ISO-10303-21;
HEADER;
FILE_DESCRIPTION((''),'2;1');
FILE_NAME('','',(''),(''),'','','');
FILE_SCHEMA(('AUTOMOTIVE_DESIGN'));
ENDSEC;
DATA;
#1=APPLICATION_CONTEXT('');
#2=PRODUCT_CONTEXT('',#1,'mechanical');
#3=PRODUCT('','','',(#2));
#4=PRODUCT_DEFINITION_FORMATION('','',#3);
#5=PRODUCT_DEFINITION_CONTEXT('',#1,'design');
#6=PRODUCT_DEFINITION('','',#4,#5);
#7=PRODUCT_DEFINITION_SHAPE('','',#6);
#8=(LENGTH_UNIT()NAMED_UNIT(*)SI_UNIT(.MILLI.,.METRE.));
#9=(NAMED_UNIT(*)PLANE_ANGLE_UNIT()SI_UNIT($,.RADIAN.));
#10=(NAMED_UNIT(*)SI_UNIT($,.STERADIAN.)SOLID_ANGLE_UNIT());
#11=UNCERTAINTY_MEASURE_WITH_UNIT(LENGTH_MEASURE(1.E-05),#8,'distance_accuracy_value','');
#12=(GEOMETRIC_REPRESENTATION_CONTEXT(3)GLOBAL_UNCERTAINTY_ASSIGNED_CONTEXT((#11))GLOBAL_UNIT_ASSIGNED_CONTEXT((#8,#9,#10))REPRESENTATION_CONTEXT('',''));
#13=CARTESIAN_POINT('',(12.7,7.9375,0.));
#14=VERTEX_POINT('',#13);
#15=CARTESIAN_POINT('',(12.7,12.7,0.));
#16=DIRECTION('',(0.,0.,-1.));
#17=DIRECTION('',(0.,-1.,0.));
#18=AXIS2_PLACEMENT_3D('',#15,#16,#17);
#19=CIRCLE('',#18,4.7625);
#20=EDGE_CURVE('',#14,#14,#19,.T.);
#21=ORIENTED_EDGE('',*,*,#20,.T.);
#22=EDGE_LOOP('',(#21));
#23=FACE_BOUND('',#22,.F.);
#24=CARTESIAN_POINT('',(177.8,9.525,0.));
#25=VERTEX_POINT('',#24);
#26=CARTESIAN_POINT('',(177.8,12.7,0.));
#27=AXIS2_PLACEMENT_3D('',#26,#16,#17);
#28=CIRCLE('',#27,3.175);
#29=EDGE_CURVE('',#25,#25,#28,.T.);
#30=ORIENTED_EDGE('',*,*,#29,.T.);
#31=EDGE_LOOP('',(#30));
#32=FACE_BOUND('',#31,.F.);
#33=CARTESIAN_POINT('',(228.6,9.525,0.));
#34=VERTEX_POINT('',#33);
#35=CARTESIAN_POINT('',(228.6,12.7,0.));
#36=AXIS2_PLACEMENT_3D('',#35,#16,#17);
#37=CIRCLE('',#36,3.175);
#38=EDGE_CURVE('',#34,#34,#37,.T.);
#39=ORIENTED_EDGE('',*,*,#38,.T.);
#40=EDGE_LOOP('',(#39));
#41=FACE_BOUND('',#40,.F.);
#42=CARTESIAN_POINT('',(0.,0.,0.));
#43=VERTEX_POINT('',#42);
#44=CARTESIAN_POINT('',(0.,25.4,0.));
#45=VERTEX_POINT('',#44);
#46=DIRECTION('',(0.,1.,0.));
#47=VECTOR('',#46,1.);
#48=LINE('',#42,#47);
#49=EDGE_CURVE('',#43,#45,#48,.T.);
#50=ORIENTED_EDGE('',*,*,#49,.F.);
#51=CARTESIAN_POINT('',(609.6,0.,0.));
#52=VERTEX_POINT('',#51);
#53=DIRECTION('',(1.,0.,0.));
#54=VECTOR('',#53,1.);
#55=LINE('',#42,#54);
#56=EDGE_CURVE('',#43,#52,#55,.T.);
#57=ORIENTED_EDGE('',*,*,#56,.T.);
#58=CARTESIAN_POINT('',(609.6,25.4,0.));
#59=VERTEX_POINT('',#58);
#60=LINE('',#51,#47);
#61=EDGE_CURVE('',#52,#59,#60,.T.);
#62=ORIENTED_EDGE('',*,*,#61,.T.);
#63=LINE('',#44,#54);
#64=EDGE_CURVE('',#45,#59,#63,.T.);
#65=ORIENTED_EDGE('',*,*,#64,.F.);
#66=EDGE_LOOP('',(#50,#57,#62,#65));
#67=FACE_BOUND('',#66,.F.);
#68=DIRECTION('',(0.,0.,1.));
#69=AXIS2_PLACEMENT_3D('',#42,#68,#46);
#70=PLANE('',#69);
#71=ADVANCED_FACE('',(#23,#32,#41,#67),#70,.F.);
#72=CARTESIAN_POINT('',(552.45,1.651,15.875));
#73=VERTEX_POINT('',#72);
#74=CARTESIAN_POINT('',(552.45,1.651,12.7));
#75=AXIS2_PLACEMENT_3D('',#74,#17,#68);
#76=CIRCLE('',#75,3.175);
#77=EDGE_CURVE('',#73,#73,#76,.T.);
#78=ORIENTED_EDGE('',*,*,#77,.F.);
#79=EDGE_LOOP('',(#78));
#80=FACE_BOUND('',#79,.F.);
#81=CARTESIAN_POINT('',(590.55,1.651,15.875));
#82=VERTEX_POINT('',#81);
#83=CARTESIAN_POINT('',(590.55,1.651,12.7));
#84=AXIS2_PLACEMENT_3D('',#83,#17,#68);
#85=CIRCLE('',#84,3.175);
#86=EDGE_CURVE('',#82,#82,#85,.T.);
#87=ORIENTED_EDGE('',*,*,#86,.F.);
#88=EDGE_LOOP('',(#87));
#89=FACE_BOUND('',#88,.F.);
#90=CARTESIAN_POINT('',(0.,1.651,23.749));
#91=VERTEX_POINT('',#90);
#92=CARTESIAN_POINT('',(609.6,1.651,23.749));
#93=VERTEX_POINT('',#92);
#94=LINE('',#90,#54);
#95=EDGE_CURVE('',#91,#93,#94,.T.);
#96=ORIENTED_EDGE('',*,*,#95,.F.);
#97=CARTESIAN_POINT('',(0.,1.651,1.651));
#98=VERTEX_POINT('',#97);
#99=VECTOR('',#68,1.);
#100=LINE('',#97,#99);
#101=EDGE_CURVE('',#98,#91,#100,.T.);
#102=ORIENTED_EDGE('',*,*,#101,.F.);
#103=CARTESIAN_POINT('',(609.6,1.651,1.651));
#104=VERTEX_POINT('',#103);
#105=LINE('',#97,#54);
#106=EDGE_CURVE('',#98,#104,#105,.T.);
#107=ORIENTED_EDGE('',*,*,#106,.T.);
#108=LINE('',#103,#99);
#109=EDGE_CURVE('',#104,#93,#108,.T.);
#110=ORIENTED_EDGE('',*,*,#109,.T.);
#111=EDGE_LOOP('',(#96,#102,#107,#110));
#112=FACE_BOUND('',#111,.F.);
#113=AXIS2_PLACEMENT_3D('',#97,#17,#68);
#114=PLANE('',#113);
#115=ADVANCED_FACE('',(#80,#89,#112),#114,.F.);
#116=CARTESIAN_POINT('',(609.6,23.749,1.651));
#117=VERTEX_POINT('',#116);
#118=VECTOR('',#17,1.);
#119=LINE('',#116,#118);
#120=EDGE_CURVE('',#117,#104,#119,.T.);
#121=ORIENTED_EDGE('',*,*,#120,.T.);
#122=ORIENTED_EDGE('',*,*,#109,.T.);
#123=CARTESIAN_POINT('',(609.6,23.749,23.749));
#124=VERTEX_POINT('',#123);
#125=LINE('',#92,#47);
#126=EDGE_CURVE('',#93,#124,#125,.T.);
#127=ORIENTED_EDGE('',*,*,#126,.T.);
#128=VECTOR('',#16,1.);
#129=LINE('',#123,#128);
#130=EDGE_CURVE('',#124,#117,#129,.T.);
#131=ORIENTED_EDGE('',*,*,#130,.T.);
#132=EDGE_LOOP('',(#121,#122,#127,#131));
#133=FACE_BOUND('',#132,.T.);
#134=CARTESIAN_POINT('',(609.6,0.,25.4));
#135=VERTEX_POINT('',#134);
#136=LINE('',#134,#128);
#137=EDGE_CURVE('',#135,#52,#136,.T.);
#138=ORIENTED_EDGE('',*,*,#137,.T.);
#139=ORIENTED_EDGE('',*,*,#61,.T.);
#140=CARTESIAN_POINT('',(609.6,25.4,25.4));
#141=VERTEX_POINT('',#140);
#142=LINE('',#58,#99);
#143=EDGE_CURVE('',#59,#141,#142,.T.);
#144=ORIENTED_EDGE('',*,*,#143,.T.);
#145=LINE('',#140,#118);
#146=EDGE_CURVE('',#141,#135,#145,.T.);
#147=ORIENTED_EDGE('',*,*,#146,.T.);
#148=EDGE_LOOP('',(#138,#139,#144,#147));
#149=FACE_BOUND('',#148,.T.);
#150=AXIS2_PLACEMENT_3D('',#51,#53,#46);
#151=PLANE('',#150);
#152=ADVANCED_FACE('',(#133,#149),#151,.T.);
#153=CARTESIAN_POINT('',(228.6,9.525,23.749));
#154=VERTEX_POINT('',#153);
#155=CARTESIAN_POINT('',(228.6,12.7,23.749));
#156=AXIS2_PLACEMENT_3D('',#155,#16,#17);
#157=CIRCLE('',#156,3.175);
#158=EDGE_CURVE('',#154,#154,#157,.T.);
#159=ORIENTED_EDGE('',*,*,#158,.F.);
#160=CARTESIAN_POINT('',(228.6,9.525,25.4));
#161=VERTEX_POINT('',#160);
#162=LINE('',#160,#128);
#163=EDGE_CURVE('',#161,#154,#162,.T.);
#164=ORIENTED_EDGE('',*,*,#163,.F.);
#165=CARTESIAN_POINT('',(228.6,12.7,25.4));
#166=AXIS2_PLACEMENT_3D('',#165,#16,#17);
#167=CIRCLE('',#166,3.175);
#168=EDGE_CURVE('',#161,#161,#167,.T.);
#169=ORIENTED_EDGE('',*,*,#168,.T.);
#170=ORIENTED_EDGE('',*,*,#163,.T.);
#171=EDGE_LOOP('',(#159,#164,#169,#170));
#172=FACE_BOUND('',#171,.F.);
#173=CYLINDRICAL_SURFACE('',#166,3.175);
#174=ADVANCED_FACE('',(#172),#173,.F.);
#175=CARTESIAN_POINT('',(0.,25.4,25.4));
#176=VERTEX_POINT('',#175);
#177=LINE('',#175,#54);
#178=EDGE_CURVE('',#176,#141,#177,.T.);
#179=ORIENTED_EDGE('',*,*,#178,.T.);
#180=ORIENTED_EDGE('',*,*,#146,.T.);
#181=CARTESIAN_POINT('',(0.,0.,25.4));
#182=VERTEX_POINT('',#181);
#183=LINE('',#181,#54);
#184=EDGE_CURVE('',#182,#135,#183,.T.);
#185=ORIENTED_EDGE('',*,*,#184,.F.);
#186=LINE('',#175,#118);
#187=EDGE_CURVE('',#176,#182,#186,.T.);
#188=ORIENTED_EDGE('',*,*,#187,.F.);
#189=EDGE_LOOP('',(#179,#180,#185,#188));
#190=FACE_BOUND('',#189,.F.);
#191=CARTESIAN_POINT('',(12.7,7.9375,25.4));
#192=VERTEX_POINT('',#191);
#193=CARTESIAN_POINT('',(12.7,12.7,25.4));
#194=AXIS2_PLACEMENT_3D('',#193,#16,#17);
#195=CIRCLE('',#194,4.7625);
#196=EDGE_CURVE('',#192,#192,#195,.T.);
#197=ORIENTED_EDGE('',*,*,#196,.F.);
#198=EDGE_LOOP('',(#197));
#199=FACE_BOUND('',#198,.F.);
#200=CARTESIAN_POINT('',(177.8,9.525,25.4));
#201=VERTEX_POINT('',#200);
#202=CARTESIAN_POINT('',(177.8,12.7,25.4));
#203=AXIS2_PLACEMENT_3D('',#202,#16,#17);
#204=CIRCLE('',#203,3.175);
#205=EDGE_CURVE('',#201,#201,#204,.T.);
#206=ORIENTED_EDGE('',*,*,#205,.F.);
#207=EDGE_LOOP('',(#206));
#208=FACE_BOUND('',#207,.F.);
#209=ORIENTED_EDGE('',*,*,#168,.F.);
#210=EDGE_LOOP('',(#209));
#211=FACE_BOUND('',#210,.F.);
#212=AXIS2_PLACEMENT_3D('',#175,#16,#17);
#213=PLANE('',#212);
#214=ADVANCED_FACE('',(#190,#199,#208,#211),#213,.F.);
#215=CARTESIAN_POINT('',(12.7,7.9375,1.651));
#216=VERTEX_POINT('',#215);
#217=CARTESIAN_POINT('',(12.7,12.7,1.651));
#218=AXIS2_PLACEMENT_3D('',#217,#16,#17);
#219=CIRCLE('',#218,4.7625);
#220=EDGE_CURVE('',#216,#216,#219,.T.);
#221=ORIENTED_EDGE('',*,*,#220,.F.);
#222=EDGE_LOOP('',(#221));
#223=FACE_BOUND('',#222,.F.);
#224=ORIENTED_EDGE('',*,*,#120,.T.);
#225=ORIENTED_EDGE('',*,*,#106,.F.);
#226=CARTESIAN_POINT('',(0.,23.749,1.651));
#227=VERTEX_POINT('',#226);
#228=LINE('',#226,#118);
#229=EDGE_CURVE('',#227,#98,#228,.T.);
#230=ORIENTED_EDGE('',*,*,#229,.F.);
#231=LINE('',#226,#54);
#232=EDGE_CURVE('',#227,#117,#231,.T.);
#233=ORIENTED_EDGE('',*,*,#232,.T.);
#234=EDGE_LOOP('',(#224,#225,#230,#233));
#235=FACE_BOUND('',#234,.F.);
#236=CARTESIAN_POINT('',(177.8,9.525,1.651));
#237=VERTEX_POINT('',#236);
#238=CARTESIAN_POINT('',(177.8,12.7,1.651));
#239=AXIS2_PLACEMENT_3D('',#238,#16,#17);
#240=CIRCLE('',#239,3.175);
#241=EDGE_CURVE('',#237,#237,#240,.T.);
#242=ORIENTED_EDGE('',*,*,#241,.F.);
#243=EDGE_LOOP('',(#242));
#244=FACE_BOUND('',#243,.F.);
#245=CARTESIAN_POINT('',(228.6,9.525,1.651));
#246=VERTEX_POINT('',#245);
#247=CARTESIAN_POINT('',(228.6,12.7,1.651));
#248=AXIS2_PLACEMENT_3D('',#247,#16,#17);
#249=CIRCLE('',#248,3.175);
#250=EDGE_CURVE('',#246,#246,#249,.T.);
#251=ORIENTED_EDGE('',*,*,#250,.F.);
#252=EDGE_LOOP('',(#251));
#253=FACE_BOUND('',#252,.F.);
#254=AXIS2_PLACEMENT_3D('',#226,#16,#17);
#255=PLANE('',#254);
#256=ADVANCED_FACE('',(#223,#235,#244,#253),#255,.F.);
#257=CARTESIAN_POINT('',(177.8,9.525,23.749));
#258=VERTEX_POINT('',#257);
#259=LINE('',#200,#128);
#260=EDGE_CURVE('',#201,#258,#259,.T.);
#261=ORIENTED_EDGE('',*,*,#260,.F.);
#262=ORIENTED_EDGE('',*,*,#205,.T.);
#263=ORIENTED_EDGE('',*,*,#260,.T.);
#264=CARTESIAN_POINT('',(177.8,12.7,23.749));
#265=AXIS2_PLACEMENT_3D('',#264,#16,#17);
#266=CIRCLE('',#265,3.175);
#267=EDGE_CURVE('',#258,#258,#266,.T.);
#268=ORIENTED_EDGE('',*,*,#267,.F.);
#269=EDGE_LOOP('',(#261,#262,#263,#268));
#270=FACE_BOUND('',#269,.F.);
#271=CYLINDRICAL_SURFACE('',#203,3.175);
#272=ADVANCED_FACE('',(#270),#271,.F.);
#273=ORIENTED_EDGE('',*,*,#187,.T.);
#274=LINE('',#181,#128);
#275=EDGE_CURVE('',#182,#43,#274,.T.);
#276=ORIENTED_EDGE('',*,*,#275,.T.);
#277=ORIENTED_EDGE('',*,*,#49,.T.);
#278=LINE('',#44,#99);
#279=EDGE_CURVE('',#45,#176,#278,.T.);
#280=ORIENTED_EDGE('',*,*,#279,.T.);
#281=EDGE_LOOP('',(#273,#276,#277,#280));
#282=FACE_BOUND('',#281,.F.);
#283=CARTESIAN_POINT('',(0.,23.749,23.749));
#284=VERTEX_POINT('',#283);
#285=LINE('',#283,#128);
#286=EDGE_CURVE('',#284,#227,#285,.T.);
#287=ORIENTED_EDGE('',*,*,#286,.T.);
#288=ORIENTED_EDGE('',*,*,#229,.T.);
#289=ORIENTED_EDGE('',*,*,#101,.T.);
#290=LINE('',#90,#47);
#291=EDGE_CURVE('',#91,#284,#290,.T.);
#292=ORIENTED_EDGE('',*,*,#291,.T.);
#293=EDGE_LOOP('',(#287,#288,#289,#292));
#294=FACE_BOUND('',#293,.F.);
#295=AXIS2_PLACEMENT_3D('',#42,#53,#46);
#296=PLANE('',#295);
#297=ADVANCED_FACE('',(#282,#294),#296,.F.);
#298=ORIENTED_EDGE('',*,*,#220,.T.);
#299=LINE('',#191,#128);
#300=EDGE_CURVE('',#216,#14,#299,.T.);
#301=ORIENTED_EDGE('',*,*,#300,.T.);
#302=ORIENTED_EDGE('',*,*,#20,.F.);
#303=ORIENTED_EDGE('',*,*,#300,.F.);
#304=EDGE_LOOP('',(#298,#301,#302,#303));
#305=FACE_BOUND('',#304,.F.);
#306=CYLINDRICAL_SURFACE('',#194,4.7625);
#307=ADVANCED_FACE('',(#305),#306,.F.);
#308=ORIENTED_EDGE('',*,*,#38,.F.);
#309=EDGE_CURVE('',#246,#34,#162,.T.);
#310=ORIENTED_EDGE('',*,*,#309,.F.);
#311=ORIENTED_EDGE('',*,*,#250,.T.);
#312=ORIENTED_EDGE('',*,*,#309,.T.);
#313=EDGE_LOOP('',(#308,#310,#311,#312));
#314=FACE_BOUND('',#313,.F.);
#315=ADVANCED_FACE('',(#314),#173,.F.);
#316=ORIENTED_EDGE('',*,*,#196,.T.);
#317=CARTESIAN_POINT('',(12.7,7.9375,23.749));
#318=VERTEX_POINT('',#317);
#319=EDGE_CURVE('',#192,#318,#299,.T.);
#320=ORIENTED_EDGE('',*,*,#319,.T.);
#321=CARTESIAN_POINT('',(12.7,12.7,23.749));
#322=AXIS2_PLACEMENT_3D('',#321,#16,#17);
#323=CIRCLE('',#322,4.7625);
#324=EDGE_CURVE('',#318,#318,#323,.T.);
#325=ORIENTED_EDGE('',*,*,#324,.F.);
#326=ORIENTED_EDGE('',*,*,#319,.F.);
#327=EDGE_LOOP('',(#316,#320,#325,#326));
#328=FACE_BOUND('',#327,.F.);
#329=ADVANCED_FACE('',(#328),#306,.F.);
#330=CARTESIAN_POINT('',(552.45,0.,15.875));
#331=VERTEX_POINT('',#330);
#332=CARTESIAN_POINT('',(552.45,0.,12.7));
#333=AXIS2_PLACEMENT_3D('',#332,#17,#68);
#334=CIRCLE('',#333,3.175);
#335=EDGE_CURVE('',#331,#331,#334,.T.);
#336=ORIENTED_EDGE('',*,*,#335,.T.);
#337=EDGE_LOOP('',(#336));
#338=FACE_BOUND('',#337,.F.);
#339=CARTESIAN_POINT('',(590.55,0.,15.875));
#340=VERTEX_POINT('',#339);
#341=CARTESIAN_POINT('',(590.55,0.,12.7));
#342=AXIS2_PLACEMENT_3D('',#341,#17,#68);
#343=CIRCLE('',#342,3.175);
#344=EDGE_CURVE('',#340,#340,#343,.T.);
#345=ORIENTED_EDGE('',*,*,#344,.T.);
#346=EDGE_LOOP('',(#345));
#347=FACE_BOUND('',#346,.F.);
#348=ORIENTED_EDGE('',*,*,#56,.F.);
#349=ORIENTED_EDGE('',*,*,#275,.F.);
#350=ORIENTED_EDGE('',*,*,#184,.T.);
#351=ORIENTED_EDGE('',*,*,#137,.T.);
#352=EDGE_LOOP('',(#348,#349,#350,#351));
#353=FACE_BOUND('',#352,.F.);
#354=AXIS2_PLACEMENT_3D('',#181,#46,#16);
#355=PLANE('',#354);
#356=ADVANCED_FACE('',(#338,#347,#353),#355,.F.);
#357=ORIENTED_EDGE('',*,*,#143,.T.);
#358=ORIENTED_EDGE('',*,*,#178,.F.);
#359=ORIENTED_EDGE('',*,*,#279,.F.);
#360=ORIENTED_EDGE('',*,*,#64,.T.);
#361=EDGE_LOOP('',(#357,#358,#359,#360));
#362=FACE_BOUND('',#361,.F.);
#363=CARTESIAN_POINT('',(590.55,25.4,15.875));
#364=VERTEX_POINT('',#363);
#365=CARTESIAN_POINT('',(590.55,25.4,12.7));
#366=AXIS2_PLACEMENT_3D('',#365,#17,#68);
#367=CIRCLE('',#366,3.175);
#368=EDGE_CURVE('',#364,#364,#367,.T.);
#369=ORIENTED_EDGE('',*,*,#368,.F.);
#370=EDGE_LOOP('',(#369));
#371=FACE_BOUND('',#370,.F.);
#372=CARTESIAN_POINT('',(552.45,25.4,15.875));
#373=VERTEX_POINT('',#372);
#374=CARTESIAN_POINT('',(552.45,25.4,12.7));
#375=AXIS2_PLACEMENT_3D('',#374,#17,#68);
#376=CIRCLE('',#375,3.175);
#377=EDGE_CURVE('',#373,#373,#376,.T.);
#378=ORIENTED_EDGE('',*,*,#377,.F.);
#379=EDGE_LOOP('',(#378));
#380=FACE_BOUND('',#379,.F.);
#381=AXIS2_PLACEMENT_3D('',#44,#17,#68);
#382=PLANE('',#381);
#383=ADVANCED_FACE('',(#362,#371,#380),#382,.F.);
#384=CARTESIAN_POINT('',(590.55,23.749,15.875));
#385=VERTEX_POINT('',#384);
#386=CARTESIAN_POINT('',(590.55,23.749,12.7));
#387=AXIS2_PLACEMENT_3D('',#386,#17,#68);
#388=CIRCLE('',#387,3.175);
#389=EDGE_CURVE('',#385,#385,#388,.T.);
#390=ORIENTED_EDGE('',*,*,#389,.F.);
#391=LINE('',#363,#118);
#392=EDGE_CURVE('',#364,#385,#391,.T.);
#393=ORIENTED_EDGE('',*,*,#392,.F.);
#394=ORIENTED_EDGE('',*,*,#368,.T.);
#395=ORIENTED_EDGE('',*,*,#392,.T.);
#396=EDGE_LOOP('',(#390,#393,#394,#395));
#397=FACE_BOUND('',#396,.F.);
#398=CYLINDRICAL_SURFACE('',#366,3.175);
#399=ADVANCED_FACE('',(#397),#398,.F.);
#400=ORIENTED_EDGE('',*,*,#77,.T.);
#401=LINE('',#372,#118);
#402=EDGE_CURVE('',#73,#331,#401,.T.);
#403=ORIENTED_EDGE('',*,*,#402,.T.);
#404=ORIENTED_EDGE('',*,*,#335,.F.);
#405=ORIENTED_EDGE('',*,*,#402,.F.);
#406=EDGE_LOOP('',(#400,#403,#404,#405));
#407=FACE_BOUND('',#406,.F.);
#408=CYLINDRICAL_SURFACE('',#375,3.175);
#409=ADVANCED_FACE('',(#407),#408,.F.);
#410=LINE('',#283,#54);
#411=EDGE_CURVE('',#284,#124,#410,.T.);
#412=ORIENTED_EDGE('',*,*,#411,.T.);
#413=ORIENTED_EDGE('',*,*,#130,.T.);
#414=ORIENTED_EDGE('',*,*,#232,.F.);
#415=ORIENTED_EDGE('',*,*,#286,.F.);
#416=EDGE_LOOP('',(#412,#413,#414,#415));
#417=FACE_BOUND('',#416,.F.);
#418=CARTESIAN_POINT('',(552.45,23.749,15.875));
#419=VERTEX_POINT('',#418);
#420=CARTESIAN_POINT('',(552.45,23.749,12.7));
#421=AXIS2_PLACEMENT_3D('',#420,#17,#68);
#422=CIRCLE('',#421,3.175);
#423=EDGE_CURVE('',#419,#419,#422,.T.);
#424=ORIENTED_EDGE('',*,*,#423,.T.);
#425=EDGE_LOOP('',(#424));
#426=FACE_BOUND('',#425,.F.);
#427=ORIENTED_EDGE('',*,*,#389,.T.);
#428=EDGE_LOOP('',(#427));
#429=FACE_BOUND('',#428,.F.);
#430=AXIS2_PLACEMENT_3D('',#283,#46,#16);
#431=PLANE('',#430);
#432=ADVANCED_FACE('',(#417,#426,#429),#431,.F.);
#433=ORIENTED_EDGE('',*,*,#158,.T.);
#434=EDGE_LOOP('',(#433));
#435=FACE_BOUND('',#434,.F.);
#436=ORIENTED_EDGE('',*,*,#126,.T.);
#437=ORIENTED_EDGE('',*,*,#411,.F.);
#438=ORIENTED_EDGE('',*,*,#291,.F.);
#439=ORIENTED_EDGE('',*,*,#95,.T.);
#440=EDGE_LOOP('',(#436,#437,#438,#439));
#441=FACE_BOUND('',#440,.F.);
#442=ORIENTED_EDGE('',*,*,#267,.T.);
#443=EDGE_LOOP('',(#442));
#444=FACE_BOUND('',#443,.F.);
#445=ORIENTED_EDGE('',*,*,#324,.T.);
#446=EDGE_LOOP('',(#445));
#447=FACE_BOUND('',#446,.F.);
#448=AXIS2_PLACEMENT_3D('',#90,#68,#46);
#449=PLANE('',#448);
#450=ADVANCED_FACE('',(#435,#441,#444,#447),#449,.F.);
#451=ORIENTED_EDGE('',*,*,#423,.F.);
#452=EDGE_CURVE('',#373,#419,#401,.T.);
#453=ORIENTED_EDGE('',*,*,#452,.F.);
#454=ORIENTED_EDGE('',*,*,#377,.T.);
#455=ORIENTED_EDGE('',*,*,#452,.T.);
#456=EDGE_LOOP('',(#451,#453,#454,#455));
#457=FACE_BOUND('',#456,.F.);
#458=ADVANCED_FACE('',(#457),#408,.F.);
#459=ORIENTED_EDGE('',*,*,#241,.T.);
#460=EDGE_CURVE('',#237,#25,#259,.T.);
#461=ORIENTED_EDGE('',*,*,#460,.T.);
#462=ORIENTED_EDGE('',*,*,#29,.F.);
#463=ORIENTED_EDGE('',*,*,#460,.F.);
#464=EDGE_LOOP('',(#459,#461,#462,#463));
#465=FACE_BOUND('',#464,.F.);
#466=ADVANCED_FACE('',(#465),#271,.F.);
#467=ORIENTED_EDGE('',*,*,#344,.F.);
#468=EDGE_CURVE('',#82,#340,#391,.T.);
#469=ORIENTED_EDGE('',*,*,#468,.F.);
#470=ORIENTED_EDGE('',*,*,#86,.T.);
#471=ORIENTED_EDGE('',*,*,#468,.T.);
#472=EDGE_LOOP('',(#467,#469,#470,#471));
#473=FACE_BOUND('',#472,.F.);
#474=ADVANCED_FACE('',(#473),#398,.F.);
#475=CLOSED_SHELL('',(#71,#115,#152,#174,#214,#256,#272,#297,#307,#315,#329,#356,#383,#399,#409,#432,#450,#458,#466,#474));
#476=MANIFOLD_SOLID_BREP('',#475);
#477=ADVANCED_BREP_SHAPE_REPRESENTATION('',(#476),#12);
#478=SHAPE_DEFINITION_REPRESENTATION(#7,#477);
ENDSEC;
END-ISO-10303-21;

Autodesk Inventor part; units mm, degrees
ref_plane "YZ Plane" through (0, 0, 0) normal (1, 0, 0) x (0, 1, 0)
ref_plane "XZ Plane" through (0, 0, 0) normal (0, 1, 0) x (-1, 0, 0)
ref_plane "XY Plane" through (0, 0, 0) normal (0, 0, 1) x (1, 0, 0)
sketch "Sketch1" plane through (0, 0, 0) normal (1, 0, 0) x (0, 1, 0)
  line L0 (0, 0) -> (25.4, 0)
  line L1 (25.4, 0) -> (25.4, 25.4)
  line L2 (25.4, 25.4) -> (0, 25.4)
  line L3 (0, 25.4) -> (0, 0)
  line L4 (1.651, 23.749) -> (23.749, 23.749)
  line L5 (23.749, 23.749) -> (23.749, 1.651)
  line L6 (23.749, 1.651) -> (1.651, 1.651)
  line L7 (1.651, 1.651) -> (1.651, 23.749)
  dimension "d0" = 25.4
  dimension "d2" = 25.4
  dimension "d3" = 1.651
  dimension "d5" = 1.651
  dimension "d6" = 1.651
  dimension "d7" = 1.651
extrude "Extrusion1" add sketch "Sketch1" along normal blind 609.6
sketch "Sketch2" plane through (0, 0, 25.4) normal (0, 0, 1) x (1, 0, 0)
  line L0 (0, 25.4) -> (0, 0) projected
  line L1 (0, 25.4) -> (609.6, 25.4) projected
  point P0 (12.7, 12.7)
  dimension "d10" = 12.7
  dimension "d11" = 12.7
hole "Hole1" at (12.7, 12.7, 25.4) direction (0, 0, -1) diameter 9.525 end through all
sketch "Sketch3" plane through (0, 25.4, 25.4) normal (0, 1, 0) x (1, 0, 0)
  line L0 (609.6, 25.4) -> (609.6, 0) projected
  point P0 (590.55, 12.7)
  point P1 (552.45, 12.7)
  dimension "d19" = 19.05
  dimension "d20" = 38.1
hole "Hole2" at (590.55, 25.4, 12.7) at (552.45, 25.4, 12.7) direction (0, -1, 0) diameter 6.35 end through all
sketch "Sketch4" plane through (0, 0, 25.4) normal (0, 0, 1) x (1, 0, 0)
  line L0 (0, 25.4) -> (0, 0) projected
  line L1 (0, 0) -> (609.6, 0) projected
  line L2 (0, 25.4) -> (609.6, 25.4) projected
  point P0 (177.8, 12.7)
  point P1 (228.6, 12.7)
  dimension "d28" = 177.8
  dimension "d29" = 12.7
  dimension "d37" = 12.7
  dimension "d38" = 50.8
hole "Hole3" at (177.8, 12.7, 25.4) at (228.6, 12.7, 25.4) direction (0, 0, -1) diameter 6.35 end through all
properties part number "ArmBAr" material "Aluminum 6061"
